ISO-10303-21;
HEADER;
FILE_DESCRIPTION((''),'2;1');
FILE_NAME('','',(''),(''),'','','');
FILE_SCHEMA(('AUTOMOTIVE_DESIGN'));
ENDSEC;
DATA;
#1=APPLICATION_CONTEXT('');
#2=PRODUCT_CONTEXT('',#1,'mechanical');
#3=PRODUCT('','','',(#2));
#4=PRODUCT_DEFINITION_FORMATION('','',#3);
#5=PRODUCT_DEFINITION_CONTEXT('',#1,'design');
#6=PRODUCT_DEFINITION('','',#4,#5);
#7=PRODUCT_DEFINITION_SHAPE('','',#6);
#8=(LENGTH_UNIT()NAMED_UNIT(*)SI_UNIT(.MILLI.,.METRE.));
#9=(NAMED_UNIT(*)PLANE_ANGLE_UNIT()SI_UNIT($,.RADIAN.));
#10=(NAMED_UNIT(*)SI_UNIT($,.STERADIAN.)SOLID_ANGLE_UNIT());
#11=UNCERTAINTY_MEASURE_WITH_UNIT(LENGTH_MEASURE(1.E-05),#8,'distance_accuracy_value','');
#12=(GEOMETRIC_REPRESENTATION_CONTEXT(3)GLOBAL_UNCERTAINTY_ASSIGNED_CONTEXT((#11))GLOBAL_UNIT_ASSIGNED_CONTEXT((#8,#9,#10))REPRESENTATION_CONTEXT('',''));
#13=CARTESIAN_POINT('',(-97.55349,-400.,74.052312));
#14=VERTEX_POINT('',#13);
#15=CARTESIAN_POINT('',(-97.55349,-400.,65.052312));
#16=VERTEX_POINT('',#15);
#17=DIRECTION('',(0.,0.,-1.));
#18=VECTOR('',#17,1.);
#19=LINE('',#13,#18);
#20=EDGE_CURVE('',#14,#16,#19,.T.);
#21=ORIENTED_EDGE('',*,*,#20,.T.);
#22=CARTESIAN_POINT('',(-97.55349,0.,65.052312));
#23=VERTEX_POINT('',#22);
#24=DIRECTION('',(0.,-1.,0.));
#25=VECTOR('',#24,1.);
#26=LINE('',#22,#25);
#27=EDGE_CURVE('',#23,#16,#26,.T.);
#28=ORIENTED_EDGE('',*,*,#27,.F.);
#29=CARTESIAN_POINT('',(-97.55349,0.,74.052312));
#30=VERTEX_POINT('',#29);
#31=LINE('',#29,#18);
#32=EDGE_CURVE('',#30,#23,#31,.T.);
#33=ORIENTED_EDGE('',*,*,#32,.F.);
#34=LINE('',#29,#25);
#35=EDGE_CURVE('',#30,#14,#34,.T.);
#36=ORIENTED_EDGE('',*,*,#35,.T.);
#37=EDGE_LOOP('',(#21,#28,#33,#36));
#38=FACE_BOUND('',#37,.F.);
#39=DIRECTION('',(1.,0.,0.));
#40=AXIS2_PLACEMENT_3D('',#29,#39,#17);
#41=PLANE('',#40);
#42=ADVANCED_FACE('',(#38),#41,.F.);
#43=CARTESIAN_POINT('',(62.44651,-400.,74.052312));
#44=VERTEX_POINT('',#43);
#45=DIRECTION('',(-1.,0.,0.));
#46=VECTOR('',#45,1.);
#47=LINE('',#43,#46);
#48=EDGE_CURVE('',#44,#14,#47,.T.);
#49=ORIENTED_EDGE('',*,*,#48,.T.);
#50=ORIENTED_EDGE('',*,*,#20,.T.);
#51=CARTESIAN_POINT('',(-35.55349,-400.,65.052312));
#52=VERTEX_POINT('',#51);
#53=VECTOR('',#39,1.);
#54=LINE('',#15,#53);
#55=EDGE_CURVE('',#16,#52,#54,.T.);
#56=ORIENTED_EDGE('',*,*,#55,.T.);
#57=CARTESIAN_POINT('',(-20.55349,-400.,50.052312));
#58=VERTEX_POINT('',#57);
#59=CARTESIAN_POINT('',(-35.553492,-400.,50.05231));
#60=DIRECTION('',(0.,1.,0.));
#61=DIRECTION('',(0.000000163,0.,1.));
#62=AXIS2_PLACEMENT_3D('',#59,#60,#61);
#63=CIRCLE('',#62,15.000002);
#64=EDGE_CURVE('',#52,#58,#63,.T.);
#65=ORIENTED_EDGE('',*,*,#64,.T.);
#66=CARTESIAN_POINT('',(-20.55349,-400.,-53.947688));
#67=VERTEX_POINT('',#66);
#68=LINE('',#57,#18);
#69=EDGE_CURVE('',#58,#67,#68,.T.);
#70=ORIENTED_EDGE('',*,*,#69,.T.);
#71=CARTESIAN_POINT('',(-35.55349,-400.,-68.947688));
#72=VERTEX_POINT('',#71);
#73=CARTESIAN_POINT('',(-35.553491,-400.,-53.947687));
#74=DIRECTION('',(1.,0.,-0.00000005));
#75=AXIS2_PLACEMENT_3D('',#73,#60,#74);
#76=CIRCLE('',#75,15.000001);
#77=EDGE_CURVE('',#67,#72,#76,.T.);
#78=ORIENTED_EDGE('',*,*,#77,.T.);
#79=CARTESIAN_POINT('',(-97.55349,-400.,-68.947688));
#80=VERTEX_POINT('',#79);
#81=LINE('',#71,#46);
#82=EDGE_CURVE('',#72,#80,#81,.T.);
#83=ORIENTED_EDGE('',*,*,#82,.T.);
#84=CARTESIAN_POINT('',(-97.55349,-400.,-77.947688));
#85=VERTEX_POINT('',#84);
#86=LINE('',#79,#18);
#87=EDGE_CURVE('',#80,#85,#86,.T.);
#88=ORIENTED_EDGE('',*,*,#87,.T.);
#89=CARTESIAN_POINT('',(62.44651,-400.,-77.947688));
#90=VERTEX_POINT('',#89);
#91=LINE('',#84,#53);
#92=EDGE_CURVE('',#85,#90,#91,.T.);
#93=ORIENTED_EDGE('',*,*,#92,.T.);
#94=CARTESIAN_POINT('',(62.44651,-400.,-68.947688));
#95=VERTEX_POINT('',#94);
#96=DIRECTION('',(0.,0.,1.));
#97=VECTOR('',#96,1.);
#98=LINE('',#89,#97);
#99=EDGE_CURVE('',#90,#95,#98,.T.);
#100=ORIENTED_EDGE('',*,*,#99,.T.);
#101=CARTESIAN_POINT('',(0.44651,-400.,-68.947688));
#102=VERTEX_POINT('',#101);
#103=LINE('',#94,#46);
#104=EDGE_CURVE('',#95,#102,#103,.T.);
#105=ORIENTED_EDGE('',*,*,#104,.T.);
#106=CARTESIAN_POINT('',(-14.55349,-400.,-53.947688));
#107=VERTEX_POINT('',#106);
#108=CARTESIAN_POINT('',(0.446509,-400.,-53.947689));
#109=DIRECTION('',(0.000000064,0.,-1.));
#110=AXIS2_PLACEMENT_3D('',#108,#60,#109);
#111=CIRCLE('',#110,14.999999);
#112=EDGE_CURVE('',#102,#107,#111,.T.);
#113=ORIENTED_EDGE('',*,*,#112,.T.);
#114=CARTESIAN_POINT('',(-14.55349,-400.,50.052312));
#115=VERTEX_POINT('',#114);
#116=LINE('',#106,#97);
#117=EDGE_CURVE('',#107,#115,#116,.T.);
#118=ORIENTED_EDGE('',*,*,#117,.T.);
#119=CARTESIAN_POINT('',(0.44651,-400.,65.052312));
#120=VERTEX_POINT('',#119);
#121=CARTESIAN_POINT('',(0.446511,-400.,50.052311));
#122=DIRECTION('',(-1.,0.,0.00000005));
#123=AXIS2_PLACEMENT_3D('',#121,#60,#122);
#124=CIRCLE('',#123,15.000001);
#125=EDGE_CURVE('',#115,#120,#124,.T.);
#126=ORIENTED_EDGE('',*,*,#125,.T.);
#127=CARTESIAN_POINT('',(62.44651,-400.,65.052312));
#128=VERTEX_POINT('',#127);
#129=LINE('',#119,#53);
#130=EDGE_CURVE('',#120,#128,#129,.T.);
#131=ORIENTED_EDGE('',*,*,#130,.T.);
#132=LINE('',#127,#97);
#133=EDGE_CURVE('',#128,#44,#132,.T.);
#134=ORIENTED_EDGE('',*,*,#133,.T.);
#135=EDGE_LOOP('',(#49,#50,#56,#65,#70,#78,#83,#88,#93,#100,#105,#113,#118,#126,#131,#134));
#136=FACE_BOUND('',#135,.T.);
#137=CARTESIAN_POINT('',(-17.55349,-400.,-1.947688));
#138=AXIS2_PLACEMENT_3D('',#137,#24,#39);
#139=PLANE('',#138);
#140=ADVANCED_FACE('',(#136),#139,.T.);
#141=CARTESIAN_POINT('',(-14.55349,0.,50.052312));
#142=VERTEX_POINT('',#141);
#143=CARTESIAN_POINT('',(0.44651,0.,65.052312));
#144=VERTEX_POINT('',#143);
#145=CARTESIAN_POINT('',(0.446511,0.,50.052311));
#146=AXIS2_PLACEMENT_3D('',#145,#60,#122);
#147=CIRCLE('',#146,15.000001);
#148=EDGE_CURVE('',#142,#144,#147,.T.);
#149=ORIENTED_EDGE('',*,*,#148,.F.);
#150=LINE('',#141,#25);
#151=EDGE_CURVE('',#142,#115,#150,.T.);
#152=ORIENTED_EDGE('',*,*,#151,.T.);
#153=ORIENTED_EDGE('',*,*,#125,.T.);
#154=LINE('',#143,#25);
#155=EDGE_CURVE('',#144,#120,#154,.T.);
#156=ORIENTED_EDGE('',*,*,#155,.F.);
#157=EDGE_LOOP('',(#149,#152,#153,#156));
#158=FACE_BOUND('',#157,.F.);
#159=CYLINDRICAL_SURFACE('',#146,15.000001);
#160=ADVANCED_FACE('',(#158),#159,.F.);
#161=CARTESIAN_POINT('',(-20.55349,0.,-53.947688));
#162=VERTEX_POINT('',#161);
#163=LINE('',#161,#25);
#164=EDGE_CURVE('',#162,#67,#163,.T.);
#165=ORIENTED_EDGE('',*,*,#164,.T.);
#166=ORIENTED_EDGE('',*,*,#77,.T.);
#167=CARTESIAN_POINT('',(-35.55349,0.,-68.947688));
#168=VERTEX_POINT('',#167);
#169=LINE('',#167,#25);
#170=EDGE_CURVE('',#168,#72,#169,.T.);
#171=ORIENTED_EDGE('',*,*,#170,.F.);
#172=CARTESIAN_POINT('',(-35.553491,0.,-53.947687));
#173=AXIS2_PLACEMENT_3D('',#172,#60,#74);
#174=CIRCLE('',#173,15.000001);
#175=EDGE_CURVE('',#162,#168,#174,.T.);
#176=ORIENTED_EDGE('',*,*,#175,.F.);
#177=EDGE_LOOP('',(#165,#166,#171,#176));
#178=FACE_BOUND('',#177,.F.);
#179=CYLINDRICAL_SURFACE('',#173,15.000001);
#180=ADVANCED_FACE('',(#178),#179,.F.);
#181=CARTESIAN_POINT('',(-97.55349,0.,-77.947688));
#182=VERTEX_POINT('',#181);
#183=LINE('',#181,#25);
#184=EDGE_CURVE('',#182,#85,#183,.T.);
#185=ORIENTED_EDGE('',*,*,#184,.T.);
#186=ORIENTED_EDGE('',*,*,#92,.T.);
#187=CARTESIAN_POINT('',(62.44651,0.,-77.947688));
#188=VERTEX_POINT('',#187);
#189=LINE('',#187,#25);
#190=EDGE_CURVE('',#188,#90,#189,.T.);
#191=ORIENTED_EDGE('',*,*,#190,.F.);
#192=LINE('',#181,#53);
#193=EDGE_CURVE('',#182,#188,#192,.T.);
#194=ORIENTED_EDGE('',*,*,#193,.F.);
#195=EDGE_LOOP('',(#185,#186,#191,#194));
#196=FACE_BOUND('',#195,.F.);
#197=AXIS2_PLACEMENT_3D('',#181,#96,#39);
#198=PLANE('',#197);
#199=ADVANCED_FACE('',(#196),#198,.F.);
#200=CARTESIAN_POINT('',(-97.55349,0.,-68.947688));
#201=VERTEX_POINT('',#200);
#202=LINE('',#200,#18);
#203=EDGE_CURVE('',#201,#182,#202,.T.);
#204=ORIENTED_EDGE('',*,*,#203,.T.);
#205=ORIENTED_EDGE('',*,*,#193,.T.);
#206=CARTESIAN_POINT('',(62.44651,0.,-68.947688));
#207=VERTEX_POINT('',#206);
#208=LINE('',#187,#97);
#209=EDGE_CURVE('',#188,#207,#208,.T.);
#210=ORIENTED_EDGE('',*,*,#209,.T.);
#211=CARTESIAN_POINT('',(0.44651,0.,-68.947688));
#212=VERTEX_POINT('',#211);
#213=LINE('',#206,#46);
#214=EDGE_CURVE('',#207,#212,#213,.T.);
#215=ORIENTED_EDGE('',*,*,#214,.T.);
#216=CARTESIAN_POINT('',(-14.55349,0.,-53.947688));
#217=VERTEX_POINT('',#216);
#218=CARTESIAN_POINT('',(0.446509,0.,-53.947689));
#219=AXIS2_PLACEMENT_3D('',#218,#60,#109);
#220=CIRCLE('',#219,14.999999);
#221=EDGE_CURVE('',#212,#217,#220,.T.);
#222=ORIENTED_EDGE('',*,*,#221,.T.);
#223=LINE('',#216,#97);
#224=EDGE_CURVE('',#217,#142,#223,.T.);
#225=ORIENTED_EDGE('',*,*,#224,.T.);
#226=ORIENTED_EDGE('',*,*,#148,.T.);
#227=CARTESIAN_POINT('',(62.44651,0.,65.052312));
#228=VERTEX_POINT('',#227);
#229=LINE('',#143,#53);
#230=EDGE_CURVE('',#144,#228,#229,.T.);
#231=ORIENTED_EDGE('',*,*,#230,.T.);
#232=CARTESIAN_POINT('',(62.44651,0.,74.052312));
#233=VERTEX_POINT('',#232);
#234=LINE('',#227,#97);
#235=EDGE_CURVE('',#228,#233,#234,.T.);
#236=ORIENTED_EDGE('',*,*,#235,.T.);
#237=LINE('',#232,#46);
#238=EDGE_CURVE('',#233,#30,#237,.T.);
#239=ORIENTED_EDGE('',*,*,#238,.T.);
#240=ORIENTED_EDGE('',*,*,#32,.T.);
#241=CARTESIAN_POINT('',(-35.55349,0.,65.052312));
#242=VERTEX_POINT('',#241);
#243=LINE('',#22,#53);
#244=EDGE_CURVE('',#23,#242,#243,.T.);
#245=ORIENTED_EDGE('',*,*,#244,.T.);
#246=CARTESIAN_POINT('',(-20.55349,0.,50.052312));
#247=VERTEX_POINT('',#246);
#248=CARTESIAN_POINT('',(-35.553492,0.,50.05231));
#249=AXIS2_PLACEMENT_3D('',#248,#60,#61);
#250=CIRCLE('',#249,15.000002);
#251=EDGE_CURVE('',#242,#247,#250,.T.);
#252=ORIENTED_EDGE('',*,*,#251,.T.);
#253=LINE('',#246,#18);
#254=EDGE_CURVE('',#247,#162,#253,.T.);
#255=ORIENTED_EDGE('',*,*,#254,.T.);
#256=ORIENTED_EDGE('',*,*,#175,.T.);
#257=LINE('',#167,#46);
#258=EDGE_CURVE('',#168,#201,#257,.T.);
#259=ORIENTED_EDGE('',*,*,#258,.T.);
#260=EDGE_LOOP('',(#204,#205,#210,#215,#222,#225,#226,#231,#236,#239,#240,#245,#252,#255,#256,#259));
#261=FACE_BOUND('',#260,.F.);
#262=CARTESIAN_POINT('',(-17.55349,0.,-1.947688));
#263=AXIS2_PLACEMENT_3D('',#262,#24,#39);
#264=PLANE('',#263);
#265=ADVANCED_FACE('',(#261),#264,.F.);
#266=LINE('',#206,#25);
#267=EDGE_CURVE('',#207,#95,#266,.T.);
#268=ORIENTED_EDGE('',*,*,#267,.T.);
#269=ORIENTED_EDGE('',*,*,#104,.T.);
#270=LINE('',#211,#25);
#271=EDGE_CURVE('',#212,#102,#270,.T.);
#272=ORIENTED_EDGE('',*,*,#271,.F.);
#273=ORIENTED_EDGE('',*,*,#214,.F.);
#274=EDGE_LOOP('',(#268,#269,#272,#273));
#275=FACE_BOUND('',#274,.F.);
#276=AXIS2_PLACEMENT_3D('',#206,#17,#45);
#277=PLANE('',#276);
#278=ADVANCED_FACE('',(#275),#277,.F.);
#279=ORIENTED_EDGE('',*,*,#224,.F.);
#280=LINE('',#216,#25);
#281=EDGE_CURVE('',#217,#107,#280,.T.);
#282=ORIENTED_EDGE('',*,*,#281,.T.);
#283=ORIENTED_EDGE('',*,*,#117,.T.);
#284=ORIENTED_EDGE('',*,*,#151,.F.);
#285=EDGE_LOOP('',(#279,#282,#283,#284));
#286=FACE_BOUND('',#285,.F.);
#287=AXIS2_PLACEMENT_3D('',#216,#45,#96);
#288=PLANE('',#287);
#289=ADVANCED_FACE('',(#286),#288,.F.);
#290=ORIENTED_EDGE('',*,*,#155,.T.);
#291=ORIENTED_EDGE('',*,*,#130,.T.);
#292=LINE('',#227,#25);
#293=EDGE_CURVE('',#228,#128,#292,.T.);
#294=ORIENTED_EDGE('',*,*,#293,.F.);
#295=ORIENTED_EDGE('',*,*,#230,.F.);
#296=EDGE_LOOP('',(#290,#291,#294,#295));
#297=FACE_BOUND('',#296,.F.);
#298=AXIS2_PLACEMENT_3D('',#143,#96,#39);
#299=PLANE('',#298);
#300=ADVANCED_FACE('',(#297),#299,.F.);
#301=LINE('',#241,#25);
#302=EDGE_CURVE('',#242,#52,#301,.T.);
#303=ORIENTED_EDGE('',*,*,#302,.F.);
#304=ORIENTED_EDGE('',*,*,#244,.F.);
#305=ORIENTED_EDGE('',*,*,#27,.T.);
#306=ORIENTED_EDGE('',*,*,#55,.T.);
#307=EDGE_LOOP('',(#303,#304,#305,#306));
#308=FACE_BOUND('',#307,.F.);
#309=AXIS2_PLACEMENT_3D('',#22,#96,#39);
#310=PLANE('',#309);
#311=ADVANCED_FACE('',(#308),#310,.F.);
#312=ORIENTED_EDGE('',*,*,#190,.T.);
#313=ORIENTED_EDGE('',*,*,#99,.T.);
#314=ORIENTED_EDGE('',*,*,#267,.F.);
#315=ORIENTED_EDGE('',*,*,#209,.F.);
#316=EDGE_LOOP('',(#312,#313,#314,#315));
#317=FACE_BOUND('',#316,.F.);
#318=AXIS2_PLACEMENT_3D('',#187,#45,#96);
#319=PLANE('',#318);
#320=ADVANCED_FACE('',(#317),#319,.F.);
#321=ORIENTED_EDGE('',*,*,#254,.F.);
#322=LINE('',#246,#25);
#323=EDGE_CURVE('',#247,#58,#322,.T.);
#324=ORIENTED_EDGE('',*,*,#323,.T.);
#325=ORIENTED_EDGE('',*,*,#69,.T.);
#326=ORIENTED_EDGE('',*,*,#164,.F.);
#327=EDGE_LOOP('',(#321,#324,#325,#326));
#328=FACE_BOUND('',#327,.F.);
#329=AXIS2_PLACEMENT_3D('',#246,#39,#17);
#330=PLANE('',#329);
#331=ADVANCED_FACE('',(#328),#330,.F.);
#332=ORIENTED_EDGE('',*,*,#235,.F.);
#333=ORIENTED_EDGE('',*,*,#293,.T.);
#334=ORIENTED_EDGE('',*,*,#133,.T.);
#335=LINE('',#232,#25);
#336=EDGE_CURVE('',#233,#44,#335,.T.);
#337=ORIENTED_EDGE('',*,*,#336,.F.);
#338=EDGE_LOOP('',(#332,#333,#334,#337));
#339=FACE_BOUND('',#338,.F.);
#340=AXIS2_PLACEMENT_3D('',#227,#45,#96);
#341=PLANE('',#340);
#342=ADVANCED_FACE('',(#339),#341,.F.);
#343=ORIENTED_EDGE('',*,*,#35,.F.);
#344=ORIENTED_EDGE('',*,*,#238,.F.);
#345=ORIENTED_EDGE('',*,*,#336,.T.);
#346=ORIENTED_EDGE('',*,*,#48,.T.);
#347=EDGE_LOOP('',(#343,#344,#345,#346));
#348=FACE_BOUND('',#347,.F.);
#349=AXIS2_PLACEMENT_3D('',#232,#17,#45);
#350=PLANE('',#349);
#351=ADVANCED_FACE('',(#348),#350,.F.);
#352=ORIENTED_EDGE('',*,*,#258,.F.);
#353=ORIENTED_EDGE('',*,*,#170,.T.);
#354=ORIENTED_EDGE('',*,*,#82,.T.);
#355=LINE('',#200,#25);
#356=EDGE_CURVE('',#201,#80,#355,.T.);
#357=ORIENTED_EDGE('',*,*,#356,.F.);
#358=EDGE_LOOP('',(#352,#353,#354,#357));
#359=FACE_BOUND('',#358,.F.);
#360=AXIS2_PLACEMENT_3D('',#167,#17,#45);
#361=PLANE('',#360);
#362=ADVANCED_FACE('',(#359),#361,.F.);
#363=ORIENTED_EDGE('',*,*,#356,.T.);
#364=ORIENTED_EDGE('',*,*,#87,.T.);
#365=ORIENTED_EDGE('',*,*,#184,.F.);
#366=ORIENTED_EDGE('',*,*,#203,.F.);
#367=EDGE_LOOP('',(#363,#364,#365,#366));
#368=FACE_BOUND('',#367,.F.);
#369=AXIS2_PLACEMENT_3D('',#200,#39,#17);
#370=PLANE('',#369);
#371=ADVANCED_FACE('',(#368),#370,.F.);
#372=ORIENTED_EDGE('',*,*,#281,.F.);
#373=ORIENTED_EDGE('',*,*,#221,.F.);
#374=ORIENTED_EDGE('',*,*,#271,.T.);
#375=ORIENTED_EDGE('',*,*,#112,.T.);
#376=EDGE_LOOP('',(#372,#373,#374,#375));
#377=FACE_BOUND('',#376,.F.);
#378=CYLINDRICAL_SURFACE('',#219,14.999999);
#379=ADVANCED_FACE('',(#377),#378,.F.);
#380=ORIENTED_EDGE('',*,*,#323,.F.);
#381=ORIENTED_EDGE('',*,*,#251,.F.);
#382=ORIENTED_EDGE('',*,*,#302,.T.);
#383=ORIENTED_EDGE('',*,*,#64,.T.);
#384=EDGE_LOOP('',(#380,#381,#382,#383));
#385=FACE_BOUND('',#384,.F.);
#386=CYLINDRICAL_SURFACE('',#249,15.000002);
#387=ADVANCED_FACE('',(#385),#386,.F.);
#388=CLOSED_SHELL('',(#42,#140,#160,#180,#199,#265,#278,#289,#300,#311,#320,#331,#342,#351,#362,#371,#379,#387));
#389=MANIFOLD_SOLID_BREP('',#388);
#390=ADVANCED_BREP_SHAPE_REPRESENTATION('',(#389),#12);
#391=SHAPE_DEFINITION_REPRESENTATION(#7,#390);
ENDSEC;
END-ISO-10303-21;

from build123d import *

# Parameters (mm, degrees)
F1_DEPTH = 400


with BuildPart() as f1:
    # F0 (on Front) → F1 (new body)
    with BuildSketch(Plane.XZ):
        with BuildLine():
            Line((-35.55349, -68.947688), (-97.55349, -68.947688))
            Line((-97.55349, -68.947688), (-97.55349, -77.947688))
            Line((-97.55349, -77.947688), (62.44651, -77.947688))
            Line((62.44651, -77.947688), (62.44651, -68.947688))
            Line((62.44651, -68.947688), (0.44651, -68.947688))
            ThreePointArc((0.44651, -68.947688), (-10.160092, -64.55429), (-14.55349, -53.947688))
            Line((-14.55349, -53.947688), (-14.55349, 50.052312))
            ThreePointArc((-14.55349, 50.052312), (-10.160092, 60.658913), (0.44651, 65.052312))
            Line((0.44651, 65.052312), (62.44651, 65.052312))
            Line((62.44651, 65.052312), (62.44651, 74.052312))
            Line((62.44651, 74.052312), (-97.55349, 74.052312))
            Line((-97.55349, 74.052312), (-97.55349, 65.052312))
            Line((-97.55349, 65.052312), (-35.55349, 65.052312))
            ThreePointArc((-35.55349, 65.052312), (-24.946889, 60.658913), (-20.55349, 50.052312))
            Line((-20.55349, 50.052312), (-20.55349, -53.947688))
            ThreePointArc((-20.55349, -53.947688), (-24.946889, -64.55429), (-35.55349, -68.947688))
        make_face()
    extrude(amount=F1_DEPTH)


solid = f1.part
